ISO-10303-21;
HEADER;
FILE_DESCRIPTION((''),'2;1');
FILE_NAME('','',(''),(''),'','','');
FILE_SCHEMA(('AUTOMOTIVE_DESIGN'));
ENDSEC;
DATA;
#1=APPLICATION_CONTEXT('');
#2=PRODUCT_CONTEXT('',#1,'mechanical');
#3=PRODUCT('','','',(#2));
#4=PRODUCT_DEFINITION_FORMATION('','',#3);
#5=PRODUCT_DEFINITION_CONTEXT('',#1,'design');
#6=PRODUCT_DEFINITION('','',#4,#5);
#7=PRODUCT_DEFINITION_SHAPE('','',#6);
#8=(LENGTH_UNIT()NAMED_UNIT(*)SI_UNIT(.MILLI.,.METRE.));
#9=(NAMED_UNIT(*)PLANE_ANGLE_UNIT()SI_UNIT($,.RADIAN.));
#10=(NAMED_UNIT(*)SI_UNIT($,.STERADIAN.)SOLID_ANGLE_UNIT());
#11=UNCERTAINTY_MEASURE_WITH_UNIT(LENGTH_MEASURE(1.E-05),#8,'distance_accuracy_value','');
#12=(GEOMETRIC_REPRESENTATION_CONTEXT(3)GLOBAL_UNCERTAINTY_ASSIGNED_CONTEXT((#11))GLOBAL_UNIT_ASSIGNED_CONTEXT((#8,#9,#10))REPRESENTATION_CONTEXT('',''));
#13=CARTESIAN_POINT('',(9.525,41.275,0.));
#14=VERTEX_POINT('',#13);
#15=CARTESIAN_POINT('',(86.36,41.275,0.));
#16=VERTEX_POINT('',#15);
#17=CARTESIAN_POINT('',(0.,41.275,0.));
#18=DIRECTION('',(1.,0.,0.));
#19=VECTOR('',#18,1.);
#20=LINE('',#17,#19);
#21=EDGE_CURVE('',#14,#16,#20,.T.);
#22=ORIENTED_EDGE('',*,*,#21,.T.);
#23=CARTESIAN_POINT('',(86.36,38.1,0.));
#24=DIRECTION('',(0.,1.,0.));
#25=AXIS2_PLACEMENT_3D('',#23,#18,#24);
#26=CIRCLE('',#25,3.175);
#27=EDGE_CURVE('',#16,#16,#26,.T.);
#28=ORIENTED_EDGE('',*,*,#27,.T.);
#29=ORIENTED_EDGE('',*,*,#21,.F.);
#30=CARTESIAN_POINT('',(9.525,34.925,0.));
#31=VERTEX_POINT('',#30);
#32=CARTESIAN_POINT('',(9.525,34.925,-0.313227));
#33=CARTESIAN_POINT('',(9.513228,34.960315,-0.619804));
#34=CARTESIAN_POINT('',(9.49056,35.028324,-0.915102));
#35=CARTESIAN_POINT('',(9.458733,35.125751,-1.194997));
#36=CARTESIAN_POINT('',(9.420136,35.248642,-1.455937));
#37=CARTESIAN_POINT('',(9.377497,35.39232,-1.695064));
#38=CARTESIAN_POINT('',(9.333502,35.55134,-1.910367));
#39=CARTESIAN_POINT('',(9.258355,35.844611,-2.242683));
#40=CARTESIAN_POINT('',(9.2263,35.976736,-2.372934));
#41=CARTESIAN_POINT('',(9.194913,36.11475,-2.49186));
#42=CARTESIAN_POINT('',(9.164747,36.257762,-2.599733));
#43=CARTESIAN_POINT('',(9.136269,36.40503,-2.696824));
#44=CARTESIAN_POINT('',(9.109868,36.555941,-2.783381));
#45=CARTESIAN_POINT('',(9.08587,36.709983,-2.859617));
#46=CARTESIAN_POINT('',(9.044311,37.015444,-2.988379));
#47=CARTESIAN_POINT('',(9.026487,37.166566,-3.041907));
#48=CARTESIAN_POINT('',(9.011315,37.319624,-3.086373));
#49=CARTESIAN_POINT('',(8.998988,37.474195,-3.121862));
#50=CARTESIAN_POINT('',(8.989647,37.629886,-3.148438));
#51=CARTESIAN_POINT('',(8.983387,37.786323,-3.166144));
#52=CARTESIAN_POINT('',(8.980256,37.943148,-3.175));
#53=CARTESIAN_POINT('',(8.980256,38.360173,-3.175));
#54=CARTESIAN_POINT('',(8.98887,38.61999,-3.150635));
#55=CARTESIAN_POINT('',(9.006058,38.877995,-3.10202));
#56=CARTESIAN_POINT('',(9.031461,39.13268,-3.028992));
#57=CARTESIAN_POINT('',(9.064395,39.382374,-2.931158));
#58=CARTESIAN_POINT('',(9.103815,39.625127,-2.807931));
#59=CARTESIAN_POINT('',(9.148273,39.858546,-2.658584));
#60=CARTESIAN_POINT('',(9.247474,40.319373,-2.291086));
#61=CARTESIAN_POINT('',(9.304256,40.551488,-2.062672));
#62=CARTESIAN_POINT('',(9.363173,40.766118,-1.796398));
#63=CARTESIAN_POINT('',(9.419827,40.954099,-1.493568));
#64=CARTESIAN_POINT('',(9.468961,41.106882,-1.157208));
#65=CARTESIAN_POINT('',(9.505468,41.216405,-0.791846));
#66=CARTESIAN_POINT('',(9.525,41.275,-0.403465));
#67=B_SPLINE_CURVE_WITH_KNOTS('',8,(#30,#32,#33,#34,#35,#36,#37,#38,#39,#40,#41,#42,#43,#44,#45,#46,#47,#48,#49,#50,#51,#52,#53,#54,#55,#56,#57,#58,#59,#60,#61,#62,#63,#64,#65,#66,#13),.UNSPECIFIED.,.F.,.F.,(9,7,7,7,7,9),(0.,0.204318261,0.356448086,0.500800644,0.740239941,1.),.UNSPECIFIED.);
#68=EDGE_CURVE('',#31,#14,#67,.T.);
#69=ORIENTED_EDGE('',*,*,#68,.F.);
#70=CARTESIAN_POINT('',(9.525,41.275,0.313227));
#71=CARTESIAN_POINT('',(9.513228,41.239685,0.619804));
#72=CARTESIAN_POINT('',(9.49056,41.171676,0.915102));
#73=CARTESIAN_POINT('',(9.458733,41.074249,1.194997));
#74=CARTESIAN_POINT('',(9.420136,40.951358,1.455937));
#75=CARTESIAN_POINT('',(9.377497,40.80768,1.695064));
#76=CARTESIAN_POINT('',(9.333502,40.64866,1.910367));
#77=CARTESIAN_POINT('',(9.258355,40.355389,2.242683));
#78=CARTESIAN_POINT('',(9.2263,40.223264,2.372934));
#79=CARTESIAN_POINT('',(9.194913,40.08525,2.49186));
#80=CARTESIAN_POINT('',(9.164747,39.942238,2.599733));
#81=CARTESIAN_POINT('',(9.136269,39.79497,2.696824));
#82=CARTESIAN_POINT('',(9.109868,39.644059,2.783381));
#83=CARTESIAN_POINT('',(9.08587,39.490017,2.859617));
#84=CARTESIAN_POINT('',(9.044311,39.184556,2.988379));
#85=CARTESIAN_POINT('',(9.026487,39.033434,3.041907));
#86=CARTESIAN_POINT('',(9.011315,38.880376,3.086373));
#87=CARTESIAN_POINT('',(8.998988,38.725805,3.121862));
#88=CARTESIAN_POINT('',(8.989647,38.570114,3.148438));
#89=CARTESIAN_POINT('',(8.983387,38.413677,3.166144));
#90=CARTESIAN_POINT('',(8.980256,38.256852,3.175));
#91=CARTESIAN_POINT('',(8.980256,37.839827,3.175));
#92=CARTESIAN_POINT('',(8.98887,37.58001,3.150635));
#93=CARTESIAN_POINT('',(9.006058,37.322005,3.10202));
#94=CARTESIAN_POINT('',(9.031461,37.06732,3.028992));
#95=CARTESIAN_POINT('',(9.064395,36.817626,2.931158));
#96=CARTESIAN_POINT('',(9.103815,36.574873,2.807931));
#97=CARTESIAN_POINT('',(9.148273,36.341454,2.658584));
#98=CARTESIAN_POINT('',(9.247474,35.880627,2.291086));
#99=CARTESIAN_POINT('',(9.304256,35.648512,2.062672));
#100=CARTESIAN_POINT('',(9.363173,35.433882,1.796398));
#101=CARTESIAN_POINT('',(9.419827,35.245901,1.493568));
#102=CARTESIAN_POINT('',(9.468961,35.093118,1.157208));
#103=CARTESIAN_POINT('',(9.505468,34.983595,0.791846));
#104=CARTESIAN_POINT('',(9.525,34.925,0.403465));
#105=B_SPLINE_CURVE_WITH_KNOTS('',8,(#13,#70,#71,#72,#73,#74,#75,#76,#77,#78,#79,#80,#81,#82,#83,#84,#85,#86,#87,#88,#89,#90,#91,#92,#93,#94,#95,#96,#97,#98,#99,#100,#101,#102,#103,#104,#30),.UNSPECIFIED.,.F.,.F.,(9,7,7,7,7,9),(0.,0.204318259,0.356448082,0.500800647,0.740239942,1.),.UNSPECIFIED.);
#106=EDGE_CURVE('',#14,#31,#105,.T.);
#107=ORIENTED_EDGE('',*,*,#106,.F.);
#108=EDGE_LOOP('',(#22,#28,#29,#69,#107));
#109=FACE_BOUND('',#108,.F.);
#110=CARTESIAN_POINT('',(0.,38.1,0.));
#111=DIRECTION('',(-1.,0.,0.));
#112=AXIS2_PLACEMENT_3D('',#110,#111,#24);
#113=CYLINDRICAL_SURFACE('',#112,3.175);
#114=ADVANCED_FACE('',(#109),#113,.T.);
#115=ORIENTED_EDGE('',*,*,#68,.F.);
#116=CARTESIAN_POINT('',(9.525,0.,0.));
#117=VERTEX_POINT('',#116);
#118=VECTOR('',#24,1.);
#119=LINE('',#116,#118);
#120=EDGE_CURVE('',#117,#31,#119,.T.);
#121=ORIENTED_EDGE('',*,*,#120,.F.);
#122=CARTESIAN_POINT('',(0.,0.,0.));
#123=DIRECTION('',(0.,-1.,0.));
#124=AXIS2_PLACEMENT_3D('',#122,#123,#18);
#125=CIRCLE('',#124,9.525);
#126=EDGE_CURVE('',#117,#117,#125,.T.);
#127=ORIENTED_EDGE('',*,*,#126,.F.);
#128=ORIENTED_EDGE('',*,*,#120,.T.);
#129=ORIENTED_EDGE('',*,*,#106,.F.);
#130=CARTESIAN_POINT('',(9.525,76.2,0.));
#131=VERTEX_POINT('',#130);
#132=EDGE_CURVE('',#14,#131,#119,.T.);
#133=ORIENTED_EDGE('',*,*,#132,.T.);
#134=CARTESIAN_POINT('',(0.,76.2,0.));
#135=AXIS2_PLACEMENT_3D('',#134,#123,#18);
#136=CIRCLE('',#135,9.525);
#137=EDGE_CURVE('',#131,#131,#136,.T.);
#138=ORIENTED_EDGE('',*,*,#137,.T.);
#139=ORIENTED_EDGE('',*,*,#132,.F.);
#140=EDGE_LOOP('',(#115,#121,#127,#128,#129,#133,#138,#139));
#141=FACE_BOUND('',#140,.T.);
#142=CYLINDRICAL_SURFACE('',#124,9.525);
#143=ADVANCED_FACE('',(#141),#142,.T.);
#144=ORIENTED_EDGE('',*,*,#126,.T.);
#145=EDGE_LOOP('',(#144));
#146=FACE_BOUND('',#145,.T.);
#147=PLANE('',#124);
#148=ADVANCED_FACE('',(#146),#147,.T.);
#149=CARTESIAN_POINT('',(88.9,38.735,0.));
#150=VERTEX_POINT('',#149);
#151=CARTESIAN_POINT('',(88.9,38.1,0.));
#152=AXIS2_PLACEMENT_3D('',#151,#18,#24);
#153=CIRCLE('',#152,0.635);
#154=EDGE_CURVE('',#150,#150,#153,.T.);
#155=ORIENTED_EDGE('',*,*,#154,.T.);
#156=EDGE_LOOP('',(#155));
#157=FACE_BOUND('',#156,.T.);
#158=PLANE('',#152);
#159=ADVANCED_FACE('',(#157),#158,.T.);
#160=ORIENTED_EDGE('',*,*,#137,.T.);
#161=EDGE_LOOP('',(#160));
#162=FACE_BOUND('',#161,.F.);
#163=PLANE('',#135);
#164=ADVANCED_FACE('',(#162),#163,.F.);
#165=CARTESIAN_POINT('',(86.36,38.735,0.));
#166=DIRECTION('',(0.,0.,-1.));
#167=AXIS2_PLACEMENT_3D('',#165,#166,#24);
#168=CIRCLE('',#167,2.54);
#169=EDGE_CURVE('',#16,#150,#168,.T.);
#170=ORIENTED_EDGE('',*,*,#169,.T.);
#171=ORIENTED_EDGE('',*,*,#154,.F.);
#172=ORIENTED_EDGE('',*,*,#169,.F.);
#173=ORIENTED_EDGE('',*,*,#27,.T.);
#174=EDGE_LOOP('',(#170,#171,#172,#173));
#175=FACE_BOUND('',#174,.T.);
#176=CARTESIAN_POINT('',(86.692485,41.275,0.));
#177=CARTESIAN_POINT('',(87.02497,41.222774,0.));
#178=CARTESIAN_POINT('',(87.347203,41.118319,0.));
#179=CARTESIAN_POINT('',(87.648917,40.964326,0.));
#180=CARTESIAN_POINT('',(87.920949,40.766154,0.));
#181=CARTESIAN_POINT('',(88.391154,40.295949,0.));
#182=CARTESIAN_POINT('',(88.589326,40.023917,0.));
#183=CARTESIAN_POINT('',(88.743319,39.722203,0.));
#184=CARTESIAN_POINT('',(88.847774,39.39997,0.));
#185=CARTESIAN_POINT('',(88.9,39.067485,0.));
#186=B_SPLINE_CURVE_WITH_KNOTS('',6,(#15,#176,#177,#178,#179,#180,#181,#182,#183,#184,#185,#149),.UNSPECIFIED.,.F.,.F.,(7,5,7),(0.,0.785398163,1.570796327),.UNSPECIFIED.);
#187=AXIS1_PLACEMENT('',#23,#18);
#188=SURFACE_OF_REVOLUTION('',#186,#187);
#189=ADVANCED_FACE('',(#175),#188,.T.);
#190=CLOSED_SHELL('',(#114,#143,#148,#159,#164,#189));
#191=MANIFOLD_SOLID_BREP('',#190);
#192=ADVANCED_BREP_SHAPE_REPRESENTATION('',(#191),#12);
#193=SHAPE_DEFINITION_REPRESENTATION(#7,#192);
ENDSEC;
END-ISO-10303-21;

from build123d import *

# Parameters (mm, degrees)
F0_R     = 9.525
F1_DEPTH = 76.2
F2_R     = 3.175
F3_DEPTH = 88.9
F4_R     = 2.54


with BuildPart() as f1:
    # F0 (on Front) → F1 (new body)
    with BuildSketch(Plane.XZ):
        Circle(F0_R)
    extrude(amount=-F1_DEPTH)

    # F2 (on Right) → F3 (join)
    with BuildSketch(Plane.YZ):
        with Locations((38.1, 0)):
            Circle(F2_R)
    extrude(amount=F3_DEPTH)

    # F4
    f4_edges = [f1.edges().sort_by_distance(p)[0] for p in [
        (88.9, 34.925, 0),
    ]]
    fillet(f4_edges, radius=F4_R)


solid = f1.part
